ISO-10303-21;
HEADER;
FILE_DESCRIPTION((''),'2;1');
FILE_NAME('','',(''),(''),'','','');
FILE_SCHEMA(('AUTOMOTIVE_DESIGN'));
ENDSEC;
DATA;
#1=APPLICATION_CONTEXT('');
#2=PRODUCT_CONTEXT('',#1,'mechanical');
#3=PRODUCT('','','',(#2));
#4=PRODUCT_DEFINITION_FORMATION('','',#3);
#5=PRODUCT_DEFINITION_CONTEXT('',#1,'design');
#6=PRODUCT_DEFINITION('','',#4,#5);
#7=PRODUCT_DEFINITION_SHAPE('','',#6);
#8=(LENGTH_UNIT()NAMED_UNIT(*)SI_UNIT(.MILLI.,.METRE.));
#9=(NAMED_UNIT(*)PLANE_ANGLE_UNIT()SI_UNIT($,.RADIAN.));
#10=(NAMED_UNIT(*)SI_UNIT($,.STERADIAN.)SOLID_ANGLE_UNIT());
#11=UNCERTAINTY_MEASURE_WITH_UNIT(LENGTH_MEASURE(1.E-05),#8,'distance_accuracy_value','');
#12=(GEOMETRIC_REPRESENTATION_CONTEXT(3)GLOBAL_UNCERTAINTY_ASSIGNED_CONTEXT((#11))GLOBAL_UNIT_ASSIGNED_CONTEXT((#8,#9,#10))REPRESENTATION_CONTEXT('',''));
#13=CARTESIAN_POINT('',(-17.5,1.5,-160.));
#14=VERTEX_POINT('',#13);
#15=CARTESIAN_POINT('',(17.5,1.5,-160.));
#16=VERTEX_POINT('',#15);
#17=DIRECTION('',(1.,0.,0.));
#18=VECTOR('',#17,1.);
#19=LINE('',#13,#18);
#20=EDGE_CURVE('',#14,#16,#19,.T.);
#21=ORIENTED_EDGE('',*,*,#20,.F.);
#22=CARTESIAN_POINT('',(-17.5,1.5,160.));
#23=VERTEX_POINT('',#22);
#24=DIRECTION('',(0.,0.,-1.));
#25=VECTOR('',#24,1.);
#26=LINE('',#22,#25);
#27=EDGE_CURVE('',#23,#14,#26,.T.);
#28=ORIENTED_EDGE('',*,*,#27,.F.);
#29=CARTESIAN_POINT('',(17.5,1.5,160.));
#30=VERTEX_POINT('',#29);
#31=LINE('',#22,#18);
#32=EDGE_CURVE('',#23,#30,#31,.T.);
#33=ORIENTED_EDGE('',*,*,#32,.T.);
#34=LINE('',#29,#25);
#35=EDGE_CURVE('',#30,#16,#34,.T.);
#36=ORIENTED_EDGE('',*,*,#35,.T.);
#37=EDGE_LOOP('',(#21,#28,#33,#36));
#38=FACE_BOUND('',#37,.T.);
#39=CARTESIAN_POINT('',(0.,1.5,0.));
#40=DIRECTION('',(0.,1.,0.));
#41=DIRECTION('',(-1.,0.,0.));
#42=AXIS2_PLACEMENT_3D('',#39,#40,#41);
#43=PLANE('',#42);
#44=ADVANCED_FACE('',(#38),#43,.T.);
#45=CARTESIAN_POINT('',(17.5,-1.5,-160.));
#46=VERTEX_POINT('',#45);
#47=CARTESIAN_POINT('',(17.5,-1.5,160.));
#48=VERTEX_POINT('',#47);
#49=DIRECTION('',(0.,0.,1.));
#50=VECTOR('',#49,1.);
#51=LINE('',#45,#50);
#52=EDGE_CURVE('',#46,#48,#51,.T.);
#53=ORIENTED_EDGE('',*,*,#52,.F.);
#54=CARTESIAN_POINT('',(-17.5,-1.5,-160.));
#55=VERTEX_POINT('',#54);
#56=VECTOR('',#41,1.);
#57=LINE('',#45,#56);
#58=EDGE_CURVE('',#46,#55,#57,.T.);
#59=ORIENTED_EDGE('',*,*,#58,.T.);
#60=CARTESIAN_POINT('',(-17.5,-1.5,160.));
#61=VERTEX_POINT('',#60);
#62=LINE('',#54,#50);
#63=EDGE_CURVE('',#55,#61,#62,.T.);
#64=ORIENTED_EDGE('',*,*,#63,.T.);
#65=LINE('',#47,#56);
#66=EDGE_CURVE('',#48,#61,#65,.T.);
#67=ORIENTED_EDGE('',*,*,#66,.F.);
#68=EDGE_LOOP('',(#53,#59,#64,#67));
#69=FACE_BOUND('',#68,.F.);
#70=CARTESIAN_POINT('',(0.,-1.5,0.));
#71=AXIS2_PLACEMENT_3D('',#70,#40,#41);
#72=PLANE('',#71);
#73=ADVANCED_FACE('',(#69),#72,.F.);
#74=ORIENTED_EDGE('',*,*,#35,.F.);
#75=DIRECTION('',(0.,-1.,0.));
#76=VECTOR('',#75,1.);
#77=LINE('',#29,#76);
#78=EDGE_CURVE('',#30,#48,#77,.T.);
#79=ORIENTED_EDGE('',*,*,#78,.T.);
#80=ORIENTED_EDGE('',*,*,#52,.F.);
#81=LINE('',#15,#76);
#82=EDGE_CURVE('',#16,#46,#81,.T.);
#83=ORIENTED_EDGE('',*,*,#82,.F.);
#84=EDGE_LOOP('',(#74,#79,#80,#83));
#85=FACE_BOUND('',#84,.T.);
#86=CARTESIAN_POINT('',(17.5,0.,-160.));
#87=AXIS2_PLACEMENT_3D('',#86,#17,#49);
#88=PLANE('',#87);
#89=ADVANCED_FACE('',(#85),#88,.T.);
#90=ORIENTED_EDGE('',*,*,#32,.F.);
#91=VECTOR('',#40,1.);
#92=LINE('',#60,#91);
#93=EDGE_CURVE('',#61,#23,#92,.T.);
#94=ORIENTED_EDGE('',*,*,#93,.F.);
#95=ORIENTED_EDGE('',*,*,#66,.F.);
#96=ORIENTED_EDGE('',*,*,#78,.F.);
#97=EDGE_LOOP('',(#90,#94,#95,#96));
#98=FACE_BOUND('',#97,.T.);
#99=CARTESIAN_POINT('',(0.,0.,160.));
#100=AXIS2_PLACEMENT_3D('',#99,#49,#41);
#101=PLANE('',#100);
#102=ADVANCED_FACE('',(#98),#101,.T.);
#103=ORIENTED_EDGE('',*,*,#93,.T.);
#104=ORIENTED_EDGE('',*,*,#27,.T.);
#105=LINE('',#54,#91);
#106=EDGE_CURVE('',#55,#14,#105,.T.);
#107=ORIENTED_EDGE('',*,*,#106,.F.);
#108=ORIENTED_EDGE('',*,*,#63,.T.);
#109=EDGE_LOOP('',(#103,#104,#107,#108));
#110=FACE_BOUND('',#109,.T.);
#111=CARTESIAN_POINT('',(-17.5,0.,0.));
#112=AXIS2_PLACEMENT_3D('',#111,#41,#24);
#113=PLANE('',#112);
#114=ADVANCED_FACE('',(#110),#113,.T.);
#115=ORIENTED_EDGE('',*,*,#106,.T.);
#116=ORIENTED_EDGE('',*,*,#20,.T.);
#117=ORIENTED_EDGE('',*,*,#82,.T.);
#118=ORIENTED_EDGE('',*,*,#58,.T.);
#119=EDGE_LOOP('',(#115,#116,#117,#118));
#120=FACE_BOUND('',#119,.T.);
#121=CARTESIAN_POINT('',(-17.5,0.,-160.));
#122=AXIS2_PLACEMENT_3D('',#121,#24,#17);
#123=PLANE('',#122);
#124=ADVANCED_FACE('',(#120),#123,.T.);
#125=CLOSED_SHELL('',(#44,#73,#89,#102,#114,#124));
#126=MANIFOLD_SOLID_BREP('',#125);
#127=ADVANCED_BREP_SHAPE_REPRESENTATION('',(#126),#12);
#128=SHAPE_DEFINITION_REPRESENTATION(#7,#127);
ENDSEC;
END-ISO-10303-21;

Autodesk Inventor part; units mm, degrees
ref_plane "YZ Plane" through (0, 0, 0) normal (1, 0, 0) x (0, 1, 0)
ref_plane "XZ Plane" through (0, 0, 0) normal (0, 1, 0) x (-1, 0, 0)
sketch "Эскиз1" plane through (0, 0, 0) normal (0, 1, 0) x (-1, 0, 0)
  line L0 (17.5, -160) -> (-17.5, -160)
  line L1 (-17.5, -160) -> (-17.5, 160)
  line L2 (-17.5, 160) -> (17.5, 160)
  line L3 (17.5, 160) -> (17.5, -160)
  line L4 (0, -224) -> (0, 224) projected
  line L5 (-24.5, 0) -> (24.5, 0) projected
  point P0 (0, 0)
  point P1 (0, -160)
  point P2 (17.5, 0)
  dimension "d0" = 35
  dimension "d1" = 320
extrude "Выдавливание1" add sketch "Эскиз1" along normal mid plane 3
properties part number "Фанера крыла"
